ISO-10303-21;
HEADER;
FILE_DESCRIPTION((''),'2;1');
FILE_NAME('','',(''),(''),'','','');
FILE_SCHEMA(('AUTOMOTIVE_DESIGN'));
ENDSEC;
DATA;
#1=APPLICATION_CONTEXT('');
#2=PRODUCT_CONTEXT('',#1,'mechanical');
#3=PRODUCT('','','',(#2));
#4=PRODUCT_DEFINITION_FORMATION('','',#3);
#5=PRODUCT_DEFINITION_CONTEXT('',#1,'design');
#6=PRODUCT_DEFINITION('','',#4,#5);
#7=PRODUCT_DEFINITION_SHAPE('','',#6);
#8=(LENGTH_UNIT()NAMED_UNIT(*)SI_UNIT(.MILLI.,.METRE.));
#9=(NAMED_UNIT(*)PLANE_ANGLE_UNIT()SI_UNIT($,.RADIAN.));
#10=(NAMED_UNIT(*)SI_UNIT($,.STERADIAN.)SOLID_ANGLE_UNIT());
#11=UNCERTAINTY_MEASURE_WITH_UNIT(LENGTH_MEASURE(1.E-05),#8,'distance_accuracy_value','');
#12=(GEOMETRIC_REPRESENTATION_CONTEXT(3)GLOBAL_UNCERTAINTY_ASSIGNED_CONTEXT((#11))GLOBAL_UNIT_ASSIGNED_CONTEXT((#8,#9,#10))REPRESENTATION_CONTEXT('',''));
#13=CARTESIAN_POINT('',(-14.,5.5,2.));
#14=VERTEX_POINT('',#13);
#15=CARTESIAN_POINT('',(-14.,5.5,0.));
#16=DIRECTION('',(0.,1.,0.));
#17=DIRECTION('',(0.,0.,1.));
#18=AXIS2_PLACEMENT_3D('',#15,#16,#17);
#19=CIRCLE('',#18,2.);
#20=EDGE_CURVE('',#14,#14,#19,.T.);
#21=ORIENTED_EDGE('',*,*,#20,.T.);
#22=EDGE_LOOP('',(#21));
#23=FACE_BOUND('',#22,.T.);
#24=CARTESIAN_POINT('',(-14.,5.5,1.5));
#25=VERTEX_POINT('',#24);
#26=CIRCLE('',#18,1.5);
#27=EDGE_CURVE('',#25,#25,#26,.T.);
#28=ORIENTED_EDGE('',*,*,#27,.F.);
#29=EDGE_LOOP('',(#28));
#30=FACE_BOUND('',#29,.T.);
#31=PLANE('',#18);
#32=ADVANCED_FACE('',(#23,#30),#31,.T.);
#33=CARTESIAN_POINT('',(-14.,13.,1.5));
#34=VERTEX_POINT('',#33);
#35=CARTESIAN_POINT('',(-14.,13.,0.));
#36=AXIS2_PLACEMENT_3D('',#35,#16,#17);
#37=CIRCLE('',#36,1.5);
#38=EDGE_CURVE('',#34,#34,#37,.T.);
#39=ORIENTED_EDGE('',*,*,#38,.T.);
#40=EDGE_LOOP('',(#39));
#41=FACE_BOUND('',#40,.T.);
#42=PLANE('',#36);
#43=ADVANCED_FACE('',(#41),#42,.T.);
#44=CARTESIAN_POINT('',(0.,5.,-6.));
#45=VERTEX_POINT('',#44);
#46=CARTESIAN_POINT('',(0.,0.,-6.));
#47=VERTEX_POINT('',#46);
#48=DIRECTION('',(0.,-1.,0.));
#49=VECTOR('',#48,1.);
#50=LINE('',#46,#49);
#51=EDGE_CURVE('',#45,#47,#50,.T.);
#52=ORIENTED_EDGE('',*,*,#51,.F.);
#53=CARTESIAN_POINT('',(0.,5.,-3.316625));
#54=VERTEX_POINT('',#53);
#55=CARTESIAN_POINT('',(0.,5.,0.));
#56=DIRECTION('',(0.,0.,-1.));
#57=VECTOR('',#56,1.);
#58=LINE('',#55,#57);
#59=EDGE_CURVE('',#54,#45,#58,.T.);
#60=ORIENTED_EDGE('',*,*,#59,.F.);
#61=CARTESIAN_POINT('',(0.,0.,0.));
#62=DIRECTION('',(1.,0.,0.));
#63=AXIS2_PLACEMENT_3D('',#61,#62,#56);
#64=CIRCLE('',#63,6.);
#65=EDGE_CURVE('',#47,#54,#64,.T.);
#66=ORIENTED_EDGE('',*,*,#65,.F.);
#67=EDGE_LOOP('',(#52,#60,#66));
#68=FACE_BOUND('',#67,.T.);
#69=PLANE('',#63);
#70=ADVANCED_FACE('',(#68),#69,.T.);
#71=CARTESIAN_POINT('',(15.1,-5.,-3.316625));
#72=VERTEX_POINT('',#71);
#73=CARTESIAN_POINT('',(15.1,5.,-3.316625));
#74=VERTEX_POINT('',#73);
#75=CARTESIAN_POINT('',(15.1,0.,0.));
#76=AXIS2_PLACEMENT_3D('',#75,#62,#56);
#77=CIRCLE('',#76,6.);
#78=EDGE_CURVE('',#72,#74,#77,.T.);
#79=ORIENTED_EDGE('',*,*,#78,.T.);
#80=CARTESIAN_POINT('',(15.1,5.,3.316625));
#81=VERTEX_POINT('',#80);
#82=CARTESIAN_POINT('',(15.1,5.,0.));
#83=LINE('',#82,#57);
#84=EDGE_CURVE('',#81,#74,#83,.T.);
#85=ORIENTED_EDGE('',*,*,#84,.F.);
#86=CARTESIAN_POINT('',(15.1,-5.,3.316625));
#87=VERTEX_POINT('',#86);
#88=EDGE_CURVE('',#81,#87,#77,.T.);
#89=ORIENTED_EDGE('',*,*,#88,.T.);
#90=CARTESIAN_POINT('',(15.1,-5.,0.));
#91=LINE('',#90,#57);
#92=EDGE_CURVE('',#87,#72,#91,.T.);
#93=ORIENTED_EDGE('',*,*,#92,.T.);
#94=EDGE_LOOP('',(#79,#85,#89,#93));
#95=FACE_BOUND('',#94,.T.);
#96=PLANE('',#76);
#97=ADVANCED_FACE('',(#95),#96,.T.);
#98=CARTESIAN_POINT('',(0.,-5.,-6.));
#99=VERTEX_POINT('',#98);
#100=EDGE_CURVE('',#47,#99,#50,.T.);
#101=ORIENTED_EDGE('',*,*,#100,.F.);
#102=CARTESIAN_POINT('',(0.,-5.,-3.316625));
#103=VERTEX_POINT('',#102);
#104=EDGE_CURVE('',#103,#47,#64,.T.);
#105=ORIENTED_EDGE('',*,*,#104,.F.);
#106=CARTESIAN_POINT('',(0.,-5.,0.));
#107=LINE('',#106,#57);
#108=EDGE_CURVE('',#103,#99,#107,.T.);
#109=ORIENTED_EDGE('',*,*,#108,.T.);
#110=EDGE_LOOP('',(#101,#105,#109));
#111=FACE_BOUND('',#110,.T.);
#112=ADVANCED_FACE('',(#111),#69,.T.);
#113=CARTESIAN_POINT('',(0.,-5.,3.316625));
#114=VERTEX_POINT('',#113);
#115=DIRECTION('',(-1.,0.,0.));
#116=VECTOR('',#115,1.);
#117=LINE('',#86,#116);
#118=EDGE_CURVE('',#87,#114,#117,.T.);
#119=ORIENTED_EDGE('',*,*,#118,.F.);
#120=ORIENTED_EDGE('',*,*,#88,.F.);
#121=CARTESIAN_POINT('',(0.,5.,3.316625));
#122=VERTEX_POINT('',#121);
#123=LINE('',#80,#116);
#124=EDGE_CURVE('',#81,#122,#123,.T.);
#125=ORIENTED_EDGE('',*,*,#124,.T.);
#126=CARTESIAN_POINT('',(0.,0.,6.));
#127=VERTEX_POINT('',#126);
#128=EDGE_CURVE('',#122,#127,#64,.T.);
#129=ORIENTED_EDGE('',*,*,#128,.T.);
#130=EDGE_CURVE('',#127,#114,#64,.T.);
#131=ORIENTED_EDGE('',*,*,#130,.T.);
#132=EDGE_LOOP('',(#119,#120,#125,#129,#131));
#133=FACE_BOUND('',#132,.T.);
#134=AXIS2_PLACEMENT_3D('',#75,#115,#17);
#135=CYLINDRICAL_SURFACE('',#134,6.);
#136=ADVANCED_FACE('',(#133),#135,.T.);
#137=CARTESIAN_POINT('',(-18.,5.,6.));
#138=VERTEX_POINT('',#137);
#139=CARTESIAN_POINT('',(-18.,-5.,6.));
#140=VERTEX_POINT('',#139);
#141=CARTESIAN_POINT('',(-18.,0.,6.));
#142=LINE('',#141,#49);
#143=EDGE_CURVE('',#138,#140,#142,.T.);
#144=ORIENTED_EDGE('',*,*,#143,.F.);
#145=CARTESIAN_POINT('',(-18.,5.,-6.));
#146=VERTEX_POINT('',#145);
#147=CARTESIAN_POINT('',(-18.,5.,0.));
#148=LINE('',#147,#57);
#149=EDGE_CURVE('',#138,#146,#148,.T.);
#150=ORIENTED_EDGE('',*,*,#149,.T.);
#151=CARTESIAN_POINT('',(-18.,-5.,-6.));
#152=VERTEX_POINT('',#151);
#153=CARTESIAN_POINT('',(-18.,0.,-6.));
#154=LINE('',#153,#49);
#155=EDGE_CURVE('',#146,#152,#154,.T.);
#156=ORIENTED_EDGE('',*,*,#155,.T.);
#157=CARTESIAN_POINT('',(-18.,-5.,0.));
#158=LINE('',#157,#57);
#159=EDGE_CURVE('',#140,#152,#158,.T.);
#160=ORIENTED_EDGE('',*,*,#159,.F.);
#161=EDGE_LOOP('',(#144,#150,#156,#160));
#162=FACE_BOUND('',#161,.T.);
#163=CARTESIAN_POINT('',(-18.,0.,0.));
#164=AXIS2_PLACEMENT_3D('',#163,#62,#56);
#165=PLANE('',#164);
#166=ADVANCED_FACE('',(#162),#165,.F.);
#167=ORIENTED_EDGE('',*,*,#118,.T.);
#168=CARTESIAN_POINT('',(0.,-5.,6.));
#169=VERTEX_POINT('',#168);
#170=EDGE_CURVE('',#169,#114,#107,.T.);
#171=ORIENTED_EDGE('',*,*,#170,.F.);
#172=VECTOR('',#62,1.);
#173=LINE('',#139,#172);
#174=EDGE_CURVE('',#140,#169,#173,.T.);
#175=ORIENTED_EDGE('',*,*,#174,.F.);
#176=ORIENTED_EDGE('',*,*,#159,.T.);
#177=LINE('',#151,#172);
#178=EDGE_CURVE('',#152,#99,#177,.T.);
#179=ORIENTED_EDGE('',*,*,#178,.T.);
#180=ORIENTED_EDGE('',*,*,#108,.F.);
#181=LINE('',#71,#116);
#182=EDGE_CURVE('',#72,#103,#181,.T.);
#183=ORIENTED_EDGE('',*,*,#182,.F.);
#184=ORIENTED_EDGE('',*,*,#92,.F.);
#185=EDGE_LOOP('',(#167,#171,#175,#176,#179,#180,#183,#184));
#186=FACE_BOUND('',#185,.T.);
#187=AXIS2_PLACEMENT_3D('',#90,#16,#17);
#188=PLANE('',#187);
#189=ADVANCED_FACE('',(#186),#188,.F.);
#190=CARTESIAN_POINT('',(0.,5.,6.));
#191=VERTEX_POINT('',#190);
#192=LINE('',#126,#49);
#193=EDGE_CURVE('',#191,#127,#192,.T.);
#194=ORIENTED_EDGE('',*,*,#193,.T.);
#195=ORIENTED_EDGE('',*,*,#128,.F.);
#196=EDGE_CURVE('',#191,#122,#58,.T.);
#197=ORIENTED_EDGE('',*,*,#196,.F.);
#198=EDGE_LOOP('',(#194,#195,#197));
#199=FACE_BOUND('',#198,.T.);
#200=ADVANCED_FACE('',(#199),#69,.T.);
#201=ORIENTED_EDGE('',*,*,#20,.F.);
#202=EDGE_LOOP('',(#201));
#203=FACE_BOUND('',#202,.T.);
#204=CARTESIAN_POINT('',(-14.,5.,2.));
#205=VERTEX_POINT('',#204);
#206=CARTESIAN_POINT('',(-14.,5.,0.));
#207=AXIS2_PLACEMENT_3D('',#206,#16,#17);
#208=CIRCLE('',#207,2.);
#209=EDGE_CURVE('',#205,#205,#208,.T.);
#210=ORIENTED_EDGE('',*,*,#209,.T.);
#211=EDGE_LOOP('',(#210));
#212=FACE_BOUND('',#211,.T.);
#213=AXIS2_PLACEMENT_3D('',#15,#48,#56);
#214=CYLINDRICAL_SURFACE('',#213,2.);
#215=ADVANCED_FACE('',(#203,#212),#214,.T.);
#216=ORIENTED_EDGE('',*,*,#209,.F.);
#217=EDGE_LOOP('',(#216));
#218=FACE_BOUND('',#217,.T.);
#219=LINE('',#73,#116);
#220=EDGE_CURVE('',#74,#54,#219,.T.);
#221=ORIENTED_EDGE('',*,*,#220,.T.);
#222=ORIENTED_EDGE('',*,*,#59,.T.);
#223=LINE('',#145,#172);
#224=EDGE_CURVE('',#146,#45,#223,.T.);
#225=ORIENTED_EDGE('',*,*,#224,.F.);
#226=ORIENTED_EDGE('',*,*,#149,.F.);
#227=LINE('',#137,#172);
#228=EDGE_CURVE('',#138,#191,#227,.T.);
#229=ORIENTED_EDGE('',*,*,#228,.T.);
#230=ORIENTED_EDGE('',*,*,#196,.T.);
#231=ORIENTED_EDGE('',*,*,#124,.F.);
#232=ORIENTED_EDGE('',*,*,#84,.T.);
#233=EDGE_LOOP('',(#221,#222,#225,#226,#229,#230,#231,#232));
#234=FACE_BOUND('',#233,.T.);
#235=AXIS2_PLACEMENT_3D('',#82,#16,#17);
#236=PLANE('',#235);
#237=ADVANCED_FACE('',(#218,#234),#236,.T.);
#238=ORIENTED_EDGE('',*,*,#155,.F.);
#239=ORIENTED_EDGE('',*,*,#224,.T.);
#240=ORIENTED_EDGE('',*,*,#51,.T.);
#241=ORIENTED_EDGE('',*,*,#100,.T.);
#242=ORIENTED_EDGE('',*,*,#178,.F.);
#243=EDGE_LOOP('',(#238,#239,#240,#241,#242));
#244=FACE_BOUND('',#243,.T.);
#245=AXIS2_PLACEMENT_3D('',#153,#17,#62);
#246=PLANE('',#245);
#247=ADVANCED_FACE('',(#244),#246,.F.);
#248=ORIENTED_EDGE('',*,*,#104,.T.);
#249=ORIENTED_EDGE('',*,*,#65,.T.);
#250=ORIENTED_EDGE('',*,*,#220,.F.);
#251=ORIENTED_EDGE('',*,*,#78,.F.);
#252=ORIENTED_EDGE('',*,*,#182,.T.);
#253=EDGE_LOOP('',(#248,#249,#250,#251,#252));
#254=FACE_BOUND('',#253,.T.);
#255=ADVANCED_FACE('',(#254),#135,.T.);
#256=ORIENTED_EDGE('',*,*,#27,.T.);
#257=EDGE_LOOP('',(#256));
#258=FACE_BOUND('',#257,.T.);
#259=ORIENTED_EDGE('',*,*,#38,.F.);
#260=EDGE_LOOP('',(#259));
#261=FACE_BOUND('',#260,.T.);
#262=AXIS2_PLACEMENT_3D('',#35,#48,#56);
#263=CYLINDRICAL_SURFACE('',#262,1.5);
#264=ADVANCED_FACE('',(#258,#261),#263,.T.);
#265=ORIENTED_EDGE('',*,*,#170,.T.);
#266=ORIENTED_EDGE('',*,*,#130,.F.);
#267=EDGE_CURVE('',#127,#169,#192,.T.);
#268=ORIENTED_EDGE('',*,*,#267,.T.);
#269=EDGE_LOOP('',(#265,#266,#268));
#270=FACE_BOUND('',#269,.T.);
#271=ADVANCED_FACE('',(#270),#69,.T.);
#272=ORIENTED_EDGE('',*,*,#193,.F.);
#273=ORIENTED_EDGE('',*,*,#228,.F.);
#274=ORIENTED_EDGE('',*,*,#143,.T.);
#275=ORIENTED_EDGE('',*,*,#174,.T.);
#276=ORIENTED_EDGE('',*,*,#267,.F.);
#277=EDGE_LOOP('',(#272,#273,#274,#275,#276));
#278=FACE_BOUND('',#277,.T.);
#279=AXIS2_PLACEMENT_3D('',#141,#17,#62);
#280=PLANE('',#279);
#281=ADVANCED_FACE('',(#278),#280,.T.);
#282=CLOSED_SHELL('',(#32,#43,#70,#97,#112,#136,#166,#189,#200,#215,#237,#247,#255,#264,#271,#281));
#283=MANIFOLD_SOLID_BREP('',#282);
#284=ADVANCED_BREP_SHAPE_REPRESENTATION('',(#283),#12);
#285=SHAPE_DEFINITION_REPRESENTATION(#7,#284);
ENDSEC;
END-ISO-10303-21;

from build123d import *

# Parameters (mm, degrees)
BOSS_EXTRUDE1_DEPTH = 15.1
BOSS_EXTRUDE2_START = -18
BOSS_EXTRUDE2_DEPTH = 18
BOSS_EXTRUDE3_START = 5
SKETCH2_R           = 1.5
BOSS_EXTRUDE3_DEPTH = 8
BOSS_EXTRUDE4_START = 5
SKETCH2_3_R         = 2
SKETCH2_3_R_2       = 1.5
BOSS_EXTRUDE4_DEPTH = 0.5


with BuildPart() as part:
    # Sketch1 → Boss-Extrude1 (new body)
    with BuildSketch(Plane(origin=(0, 0, 0), x_dir=(0, 0, -1), z_dir=(1, 0, 0))):
        with BuildLine():
            Line((3.31662479, 5), (-3.31662479, 5))
            ThreePointArc((-3.31662479, 5), (-5.286764074, 2.837274331), (-6, 0))
            ThreePointArc((-6, 0), (-5.286764074, -2.837274331), (-3.31662479, -5))
            Line((-3.31662479, -5), (3.31662479, -5))
            ThreePointArc((3.31662479, -5), (5.286764074, -2.837274331), (6, 0))
            ThreePointArc((6, 0), (5.286764074, 2.837274331), (3.31662479, 5))
        make_face()
    extrude(amount=BOSS_EXTRUDE1_DEPTH)

    # Sketch1<3> → Boss-Extrude2 (add)
    with BuildSketch(Plane(origin=(0, 0, 0), x_dir=(0, 0, -1), z_dir=(1, 0, 0)).offset(BOSS_EXTRUDE2_START)):
        with BuildLine():
            Line((-3.31662479, 5), (-6, 5))
            Line((-6, 5), (-6, 0))
            ThreePointArc((-6, 0), (-5.286764074, 2.837274331), (-3.31662479, 5))
        make_face()
        with BuildLine():
            Line((3.31662479, 5), (-3.31662479, 5))
            ThreePointArc((-3.31662479, 5), (-5.286764074, 2.837274331), (-6, 0))
            ThreePointArc((-6, 0), (-5.286764074, -2.837274331), (-3.31662479, -5))
            Line((-3.31662479, -5), (3.31662479, -5))
            ThreePointArc((3.31662479, -5), (5.286764074, -2.837274331), (6, 0))
            ThreePointArc((6, 0), (5.286764074, 2.837274331), (3.31662479, 5))
        make_face()
        with BuildLine():
            Line((6, 5), (3.31662479, 5))
            ThreePointArc((3.31662479, 5), (5.286764074, 2.837274331), (6, 0))
            Line((6, 0), (6, 5))
        make_face()
        with BuildLine():
            ThreePointArc((-3.31662479, -5), (-5.286764074, -2.837274331), (-6, 0))
            Line((-6, 0), (-6, -5))
            Line((-6, -5), (-3.31662479, -5))
        make_face()
        with BuildLine():
            Line((6, -5), (6, 0))
            ThreePointArc((6, 0), (5.286764074, -2.837274331), (3.31662479, -5))
            Line((3.31662479, -5), (6, -5))
        make_face()
    extrude(amount=BOSS_EXTRUDE2_DEPTH)

    # Sketch2 → Boss-Extrude3 (add)
    with BuildSketch(Plane(origin=(0, 0, 0), x_dir=(1, 0, 0), z_dir=(0, 1, 0)).offset(BOSS_EXTRUDE3_START)):
        with Locations(Location((-14, 0, 0), (0, 0, 270))):
            Circle(SKETCH2_R)
    extrude(amount=BOSS_EXTRUDE3_DEPTH)

    # Sketch2<3> → Boss-Extrude4 (add)
    with BuildSketch(Plane(origin=(0, 0, 0), x_dir=(1, 0, 0), z_dir=(0, 1, 0)).offset(BOSS_EXTRUDE4_START)):
        with Locations(Location((-14, 0, 0), (0, 0, 270))):
            Circle(SKETCH2_3_R)
        with Locations(Location((-14, 0, 0), (0, 0, 270))):
            Circle(SKETCH2_3_R_2, mode=Mode.SUBTRACT)
    extrude(amount=BOSS_EXTRUDE4_DEPTH)


solid = part.part
